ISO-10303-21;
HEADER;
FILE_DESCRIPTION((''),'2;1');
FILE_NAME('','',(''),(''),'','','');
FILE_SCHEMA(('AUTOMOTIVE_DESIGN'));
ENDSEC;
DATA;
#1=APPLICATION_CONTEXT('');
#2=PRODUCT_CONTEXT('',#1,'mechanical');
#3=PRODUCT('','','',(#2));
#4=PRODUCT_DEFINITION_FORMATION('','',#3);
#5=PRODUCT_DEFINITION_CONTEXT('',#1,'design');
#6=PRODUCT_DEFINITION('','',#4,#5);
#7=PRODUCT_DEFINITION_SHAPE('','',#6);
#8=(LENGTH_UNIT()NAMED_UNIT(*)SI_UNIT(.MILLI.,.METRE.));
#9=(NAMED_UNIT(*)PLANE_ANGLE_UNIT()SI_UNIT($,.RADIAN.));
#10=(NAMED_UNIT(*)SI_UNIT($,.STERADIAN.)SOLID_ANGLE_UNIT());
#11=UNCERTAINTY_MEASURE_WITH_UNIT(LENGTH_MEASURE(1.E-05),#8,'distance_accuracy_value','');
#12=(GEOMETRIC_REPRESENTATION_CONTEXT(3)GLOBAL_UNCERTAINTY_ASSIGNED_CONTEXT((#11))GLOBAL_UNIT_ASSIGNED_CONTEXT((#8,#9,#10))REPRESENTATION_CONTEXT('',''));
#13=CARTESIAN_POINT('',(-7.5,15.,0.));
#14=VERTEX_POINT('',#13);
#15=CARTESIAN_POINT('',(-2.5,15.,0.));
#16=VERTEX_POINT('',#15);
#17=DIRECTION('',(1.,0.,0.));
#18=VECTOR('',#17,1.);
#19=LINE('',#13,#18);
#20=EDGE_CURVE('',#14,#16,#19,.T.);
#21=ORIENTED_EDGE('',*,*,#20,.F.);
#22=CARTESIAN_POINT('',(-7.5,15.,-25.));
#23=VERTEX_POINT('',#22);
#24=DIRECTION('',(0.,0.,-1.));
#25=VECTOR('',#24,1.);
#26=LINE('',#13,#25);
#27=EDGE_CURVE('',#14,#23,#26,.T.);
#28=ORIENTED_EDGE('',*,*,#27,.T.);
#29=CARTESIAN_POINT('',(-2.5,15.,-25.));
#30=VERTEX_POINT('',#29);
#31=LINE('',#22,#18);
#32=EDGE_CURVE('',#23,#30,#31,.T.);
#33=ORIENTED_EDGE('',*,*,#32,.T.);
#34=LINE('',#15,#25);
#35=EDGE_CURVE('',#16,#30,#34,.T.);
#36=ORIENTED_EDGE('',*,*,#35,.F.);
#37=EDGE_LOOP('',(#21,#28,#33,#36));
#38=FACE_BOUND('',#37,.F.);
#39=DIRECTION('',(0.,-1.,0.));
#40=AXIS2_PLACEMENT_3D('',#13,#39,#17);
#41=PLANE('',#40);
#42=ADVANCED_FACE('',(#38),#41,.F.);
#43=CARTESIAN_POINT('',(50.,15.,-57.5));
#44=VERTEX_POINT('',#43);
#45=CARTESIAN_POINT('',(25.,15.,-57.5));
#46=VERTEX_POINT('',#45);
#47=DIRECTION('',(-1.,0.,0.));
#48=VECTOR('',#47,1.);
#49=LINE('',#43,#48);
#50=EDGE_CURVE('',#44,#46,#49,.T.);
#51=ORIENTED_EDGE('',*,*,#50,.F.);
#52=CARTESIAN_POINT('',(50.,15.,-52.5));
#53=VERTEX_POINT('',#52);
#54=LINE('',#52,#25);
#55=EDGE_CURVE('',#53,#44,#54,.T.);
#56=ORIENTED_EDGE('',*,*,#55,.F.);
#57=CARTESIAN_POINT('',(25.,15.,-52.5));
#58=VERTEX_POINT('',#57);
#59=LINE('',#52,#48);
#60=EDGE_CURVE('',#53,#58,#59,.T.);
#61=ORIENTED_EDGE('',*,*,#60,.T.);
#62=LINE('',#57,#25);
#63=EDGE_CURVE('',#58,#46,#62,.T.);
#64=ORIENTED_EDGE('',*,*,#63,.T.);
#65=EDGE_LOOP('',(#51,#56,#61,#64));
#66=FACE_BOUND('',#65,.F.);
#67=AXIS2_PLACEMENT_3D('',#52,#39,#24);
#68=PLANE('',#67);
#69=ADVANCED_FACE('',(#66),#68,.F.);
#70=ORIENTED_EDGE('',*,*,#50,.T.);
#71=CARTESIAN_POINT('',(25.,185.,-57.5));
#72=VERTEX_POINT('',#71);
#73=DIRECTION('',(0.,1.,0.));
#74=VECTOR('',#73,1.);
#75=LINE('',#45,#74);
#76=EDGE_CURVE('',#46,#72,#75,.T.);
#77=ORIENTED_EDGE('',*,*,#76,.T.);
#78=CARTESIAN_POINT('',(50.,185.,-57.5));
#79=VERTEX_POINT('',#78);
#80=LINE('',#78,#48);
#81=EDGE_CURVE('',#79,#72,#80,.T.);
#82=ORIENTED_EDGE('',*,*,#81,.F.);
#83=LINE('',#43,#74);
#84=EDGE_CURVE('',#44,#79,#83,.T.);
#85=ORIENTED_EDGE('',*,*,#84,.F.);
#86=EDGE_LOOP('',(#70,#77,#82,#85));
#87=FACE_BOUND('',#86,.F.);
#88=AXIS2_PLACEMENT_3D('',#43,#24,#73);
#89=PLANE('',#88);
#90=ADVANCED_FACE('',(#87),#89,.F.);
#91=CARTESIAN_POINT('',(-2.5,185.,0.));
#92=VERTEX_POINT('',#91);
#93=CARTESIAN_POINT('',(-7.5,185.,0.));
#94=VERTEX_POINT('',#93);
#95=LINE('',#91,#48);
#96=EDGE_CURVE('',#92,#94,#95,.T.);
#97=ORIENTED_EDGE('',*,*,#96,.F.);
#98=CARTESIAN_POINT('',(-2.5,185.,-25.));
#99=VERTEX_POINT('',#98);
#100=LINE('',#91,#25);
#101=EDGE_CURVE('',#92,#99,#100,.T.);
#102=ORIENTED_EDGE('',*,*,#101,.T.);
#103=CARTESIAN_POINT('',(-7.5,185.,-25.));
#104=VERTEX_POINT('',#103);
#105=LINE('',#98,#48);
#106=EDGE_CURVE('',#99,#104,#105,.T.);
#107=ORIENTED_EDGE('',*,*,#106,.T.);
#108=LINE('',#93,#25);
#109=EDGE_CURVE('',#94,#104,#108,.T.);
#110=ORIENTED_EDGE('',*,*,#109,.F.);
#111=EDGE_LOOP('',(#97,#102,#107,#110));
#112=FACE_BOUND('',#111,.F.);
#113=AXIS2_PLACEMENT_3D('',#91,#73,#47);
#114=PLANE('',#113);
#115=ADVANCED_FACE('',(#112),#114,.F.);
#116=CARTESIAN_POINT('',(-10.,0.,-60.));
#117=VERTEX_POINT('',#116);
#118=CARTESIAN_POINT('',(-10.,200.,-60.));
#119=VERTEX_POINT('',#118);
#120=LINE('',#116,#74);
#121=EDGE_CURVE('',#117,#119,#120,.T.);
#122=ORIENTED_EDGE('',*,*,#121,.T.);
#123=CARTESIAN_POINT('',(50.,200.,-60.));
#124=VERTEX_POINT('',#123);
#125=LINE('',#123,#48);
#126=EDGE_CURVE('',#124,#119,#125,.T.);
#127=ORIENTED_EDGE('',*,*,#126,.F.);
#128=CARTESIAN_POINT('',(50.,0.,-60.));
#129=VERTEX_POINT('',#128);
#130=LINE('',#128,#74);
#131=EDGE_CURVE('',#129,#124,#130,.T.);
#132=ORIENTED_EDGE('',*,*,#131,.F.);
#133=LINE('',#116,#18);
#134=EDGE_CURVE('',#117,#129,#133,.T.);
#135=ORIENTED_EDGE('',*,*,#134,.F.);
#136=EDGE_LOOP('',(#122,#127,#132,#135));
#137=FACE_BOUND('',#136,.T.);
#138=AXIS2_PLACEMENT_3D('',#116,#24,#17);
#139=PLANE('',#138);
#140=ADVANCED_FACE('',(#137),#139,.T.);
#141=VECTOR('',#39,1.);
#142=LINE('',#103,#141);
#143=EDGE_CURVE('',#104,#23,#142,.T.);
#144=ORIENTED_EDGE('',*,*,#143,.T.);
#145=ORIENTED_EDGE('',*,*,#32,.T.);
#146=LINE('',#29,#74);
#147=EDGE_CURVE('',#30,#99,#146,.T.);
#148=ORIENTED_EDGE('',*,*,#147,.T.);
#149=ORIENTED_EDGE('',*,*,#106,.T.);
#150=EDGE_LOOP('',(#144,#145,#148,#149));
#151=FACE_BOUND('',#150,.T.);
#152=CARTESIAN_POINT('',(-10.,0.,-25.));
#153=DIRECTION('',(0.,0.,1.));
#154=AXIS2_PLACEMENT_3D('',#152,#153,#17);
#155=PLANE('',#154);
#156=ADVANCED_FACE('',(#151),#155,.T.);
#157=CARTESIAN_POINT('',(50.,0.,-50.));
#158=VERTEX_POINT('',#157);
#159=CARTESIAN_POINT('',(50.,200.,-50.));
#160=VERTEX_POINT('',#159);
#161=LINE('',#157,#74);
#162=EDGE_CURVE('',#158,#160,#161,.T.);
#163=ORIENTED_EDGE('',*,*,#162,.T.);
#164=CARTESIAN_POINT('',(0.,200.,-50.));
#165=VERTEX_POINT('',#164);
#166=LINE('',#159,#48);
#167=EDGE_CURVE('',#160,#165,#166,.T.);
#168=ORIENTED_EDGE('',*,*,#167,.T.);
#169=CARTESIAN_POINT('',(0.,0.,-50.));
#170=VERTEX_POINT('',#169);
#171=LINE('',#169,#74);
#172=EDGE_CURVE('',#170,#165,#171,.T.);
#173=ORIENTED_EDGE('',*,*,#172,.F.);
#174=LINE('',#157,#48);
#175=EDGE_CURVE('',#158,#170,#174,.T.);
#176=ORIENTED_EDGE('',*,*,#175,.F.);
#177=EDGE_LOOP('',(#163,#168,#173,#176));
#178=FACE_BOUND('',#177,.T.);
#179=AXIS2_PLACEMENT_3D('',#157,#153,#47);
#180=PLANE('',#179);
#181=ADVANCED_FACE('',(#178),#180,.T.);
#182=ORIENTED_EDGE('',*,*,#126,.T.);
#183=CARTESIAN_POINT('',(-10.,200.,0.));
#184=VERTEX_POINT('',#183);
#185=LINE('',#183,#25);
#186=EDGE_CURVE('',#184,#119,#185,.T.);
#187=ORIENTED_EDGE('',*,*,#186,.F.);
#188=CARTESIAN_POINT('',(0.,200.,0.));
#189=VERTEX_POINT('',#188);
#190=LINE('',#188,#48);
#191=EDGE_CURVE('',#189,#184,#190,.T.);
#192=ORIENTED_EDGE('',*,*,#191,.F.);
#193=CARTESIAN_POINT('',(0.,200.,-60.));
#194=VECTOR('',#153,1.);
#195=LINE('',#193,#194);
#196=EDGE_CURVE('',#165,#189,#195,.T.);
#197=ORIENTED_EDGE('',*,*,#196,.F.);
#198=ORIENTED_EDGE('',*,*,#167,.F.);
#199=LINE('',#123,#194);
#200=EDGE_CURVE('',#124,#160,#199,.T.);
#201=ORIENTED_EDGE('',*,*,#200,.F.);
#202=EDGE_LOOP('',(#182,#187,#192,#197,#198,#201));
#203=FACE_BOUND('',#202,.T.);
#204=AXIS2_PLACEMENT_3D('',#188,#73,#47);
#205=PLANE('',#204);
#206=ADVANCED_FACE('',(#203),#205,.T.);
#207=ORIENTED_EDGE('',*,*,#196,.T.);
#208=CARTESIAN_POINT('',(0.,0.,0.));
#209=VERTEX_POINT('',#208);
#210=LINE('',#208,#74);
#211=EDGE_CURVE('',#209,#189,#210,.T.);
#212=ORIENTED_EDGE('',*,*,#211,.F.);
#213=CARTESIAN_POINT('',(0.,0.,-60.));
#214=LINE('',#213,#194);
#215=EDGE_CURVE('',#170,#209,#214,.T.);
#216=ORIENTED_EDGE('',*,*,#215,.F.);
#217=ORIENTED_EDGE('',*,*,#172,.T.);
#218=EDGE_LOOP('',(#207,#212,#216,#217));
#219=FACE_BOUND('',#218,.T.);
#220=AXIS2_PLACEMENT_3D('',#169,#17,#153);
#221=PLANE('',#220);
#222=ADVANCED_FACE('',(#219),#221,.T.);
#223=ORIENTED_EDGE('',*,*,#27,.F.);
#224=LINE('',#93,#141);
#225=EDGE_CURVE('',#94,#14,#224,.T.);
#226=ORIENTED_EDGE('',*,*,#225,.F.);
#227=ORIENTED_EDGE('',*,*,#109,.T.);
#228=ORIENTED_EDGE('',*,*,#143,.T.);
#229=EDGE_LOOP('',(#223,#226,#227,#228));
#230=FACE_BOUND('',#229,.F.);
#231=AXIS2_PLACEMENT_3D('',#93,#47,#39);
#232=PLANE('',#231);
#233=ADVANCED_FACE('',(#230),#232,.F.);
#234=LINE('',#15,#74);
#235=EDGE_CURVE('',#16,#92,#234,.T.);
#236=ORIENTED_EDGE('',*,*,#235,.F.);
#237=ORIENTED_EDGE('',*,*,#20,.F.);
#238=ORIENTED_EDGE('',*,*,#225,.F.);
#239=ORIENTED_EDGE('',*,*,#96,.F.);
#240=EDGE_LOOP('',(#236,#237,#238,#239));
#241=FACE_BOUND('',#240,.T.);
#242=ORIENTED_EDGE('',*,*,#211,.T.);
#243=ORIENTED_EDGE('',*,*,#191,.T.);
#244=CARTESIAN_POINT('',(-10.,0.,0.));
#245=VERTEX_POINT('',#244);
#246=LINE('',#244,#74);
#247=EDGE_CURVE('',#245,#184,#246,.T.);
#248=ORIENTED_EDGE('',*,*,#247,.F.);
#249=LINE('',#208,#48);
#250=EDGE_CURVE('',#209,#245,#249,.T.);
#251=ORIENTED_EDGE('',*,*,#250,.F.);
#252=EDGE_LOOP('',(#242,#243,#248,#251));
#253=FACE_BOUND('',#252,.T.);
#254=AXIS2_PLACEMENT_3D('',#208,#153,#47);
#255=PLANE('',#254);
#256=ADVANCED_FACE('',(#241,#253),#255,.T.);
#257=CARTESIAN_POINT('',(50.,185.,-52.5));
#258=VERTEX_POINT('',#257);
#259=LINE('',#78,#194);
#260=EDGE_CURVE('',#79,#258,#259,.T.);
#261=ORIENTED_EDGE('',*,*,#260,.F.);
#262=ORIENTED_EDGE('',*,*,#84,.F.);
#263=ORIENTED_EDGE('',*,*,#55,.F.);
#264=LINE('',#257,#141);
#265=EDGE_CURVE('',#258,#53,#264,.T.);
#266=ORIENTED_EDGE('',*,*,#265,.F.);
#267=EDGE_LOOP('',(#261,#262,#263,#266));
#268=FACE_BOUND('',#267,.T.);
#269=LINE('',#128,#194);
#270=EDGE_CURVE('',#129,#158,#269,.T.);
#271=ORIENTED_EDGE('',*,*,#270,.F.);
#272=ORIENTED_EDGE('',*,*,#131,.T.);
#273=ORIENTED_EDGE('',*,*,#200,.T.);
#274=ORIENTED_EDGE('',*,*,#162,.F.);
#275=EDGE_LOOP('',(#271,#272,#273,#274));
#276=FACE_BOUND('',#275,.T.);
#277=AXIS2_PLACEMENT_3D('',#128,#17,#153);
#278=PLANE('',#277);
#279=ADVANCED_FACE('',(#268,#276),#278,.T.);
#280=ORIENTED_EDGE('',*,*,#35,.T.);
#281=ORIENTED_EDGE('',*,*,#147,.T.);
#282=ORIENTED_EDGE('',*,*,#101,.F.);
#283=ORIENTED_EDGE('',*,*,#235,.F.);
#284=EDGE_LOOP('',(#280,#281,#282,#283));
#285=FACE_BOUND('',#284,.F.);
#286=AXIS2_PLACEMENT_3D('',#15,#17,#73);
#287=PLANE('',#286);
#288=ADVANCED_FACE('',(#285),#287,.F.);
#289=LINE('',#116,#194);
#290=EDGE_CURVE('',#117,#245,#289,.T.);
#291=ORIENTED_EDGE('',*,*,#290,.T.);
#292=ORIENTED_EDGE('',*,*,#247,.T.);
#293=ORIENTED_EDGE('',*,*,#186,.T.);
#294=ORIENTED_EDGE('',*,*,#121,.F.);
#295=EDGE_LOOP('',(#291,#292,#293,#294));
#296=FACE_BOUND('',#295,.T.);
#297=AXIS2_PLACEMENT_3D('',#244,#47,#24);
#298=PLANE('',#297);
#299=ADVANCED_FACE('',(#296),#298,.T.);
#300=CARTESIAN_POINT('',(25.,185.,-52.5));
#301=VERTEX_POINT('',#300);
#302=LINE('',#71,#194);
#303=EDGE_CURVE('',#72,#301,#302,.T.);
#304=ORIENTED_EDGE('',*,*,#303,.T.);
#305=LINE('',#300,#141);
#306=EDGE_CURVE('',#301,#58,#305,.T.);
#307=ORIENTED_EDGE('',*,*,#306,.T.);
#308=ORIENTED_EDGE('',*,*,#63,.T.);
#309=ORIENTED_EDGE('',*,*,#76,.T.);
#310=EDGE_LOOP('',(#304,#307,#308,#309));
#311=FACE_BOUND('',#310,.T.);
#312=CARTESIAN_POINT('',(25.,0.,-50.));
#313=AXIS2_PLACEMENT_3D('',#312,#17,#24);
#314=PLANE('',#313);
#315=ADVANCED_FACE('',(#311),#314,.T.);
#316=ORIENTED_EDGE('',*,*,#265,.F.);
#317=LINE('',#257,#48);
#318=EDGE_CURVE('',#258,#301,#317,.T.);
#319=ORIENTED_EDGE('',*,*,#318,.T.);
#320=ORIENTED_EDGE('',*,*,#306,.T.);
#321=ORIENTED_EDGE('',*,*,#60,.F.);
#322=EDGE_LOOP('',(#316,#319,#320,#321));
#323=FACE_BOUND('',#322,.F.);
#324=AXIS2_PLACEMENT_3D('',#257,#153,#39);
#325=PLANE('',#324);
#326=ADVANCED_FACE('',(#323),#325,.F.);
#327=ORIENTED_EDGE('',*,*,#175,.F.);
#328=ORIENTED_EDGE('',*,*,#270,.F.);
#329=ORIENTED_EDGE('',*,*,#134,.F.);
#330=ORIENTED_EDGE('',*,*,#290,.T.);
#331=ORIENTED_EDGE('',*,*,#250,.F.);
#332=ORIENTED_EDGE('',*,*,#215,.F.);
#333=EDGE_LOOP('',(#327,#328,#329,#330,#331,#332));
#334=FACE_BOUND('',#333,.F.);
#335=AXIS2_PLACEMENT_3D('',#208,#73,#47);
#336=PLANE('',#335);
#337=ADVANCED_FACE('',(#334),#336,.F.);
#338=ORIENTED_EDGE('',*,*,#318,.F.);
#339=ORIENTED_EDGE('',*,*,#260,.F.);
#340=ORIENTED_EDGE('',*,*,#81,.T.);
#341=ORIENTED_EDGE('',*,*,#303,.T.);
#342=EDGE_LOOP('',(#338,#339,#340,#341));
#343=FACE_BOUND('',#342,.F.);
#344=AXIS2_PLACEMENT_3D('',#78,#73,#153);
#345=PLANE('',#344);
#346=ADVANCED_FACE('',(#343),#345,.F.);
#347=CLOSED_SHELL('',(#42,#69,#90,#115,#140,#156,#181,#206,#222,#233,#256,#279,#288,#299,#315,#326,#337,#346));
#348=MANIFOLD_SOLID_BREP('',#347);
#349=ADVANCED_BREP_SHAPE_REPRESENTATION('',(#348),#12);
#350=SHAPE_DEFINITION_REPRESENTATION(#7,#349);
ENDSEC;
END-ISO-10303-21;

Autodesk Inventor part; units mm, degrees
ref_plane "YZ Plane" through (0, 0, 0) normal (1, 0, 0) x (0, 1, 0)
ref_plane "XZ Plane" through (0, 0, 0) normal (0, 1, 0) x (-1, 0, 0)
ref_plane "XY Plane" through (0, 0, 0) normal (0, 0, 1) x (1, 0, 0)
sketch "Sketch1" plane through (0, 0, 0) normal (0, 1, 0) x (-1, 0, 0)
  line L0 (0, 0) -> (10, 0)
  line L1 (10, 0) -> (10, -60)
  line L2 (10, -60) -> (0, -60)
  line L3 (0, -60) -> (0, 0)
  line L4 (10, -60) -> (-50, -60)
  line L5 (-50, -60) -> (-50, -50)
  line L6 (-50, -50) -> (10, -50)
  line L7 (10, -50) -> (10, -60)
  point P0 (0, -50)
  point P1 (0, -60)
  dimension "d0" = 10
  dimension "d1" = 60
  dimension "d2" = 60
  dimension "d3" = 10
extrude "Extrusion1" add sketch "Sketch1" along normal blind 200
sketch "Sketch2" plane through (-10, 0, 0) normal (0, 0, 1) x (1, 0, 0)
  line L0 (2.5, 15) -> (7.5, 15)
  line L1 (7.5, 15) -> (7.5, 185)
  line L2 (7.5, 185) -> (2.5, 185)
  line L3 (2.5, 185) -> (2.5, 15)
  point P0 (10, 0)
  dimension "d6" = 5
  dimension "d7" = 170
extrude "Extrusion2" cut sketch "Sketch2" against normal blind 25
sketch "Sketch3" plane through (50, 0, -50) normal (1, 0, 0) x (0, 0, -1)
  line L0 (2.5, 15) -> (7.5, 15)
  line L1 (7.5, 15) -> (7.5, 185)
  line L2 (7.5, 185) -> (2.5, 185)
  line L3 (2.5, 185) -> (2.5, 15)
  point P0 (-50, 0)
  dimension "d10" = 5
  dimension "d11" = 170
extrude "Extrusion3" cut sketch "Sketch3" against normal blind 25
properties part number "TSU_FF_Corner_Wall"
